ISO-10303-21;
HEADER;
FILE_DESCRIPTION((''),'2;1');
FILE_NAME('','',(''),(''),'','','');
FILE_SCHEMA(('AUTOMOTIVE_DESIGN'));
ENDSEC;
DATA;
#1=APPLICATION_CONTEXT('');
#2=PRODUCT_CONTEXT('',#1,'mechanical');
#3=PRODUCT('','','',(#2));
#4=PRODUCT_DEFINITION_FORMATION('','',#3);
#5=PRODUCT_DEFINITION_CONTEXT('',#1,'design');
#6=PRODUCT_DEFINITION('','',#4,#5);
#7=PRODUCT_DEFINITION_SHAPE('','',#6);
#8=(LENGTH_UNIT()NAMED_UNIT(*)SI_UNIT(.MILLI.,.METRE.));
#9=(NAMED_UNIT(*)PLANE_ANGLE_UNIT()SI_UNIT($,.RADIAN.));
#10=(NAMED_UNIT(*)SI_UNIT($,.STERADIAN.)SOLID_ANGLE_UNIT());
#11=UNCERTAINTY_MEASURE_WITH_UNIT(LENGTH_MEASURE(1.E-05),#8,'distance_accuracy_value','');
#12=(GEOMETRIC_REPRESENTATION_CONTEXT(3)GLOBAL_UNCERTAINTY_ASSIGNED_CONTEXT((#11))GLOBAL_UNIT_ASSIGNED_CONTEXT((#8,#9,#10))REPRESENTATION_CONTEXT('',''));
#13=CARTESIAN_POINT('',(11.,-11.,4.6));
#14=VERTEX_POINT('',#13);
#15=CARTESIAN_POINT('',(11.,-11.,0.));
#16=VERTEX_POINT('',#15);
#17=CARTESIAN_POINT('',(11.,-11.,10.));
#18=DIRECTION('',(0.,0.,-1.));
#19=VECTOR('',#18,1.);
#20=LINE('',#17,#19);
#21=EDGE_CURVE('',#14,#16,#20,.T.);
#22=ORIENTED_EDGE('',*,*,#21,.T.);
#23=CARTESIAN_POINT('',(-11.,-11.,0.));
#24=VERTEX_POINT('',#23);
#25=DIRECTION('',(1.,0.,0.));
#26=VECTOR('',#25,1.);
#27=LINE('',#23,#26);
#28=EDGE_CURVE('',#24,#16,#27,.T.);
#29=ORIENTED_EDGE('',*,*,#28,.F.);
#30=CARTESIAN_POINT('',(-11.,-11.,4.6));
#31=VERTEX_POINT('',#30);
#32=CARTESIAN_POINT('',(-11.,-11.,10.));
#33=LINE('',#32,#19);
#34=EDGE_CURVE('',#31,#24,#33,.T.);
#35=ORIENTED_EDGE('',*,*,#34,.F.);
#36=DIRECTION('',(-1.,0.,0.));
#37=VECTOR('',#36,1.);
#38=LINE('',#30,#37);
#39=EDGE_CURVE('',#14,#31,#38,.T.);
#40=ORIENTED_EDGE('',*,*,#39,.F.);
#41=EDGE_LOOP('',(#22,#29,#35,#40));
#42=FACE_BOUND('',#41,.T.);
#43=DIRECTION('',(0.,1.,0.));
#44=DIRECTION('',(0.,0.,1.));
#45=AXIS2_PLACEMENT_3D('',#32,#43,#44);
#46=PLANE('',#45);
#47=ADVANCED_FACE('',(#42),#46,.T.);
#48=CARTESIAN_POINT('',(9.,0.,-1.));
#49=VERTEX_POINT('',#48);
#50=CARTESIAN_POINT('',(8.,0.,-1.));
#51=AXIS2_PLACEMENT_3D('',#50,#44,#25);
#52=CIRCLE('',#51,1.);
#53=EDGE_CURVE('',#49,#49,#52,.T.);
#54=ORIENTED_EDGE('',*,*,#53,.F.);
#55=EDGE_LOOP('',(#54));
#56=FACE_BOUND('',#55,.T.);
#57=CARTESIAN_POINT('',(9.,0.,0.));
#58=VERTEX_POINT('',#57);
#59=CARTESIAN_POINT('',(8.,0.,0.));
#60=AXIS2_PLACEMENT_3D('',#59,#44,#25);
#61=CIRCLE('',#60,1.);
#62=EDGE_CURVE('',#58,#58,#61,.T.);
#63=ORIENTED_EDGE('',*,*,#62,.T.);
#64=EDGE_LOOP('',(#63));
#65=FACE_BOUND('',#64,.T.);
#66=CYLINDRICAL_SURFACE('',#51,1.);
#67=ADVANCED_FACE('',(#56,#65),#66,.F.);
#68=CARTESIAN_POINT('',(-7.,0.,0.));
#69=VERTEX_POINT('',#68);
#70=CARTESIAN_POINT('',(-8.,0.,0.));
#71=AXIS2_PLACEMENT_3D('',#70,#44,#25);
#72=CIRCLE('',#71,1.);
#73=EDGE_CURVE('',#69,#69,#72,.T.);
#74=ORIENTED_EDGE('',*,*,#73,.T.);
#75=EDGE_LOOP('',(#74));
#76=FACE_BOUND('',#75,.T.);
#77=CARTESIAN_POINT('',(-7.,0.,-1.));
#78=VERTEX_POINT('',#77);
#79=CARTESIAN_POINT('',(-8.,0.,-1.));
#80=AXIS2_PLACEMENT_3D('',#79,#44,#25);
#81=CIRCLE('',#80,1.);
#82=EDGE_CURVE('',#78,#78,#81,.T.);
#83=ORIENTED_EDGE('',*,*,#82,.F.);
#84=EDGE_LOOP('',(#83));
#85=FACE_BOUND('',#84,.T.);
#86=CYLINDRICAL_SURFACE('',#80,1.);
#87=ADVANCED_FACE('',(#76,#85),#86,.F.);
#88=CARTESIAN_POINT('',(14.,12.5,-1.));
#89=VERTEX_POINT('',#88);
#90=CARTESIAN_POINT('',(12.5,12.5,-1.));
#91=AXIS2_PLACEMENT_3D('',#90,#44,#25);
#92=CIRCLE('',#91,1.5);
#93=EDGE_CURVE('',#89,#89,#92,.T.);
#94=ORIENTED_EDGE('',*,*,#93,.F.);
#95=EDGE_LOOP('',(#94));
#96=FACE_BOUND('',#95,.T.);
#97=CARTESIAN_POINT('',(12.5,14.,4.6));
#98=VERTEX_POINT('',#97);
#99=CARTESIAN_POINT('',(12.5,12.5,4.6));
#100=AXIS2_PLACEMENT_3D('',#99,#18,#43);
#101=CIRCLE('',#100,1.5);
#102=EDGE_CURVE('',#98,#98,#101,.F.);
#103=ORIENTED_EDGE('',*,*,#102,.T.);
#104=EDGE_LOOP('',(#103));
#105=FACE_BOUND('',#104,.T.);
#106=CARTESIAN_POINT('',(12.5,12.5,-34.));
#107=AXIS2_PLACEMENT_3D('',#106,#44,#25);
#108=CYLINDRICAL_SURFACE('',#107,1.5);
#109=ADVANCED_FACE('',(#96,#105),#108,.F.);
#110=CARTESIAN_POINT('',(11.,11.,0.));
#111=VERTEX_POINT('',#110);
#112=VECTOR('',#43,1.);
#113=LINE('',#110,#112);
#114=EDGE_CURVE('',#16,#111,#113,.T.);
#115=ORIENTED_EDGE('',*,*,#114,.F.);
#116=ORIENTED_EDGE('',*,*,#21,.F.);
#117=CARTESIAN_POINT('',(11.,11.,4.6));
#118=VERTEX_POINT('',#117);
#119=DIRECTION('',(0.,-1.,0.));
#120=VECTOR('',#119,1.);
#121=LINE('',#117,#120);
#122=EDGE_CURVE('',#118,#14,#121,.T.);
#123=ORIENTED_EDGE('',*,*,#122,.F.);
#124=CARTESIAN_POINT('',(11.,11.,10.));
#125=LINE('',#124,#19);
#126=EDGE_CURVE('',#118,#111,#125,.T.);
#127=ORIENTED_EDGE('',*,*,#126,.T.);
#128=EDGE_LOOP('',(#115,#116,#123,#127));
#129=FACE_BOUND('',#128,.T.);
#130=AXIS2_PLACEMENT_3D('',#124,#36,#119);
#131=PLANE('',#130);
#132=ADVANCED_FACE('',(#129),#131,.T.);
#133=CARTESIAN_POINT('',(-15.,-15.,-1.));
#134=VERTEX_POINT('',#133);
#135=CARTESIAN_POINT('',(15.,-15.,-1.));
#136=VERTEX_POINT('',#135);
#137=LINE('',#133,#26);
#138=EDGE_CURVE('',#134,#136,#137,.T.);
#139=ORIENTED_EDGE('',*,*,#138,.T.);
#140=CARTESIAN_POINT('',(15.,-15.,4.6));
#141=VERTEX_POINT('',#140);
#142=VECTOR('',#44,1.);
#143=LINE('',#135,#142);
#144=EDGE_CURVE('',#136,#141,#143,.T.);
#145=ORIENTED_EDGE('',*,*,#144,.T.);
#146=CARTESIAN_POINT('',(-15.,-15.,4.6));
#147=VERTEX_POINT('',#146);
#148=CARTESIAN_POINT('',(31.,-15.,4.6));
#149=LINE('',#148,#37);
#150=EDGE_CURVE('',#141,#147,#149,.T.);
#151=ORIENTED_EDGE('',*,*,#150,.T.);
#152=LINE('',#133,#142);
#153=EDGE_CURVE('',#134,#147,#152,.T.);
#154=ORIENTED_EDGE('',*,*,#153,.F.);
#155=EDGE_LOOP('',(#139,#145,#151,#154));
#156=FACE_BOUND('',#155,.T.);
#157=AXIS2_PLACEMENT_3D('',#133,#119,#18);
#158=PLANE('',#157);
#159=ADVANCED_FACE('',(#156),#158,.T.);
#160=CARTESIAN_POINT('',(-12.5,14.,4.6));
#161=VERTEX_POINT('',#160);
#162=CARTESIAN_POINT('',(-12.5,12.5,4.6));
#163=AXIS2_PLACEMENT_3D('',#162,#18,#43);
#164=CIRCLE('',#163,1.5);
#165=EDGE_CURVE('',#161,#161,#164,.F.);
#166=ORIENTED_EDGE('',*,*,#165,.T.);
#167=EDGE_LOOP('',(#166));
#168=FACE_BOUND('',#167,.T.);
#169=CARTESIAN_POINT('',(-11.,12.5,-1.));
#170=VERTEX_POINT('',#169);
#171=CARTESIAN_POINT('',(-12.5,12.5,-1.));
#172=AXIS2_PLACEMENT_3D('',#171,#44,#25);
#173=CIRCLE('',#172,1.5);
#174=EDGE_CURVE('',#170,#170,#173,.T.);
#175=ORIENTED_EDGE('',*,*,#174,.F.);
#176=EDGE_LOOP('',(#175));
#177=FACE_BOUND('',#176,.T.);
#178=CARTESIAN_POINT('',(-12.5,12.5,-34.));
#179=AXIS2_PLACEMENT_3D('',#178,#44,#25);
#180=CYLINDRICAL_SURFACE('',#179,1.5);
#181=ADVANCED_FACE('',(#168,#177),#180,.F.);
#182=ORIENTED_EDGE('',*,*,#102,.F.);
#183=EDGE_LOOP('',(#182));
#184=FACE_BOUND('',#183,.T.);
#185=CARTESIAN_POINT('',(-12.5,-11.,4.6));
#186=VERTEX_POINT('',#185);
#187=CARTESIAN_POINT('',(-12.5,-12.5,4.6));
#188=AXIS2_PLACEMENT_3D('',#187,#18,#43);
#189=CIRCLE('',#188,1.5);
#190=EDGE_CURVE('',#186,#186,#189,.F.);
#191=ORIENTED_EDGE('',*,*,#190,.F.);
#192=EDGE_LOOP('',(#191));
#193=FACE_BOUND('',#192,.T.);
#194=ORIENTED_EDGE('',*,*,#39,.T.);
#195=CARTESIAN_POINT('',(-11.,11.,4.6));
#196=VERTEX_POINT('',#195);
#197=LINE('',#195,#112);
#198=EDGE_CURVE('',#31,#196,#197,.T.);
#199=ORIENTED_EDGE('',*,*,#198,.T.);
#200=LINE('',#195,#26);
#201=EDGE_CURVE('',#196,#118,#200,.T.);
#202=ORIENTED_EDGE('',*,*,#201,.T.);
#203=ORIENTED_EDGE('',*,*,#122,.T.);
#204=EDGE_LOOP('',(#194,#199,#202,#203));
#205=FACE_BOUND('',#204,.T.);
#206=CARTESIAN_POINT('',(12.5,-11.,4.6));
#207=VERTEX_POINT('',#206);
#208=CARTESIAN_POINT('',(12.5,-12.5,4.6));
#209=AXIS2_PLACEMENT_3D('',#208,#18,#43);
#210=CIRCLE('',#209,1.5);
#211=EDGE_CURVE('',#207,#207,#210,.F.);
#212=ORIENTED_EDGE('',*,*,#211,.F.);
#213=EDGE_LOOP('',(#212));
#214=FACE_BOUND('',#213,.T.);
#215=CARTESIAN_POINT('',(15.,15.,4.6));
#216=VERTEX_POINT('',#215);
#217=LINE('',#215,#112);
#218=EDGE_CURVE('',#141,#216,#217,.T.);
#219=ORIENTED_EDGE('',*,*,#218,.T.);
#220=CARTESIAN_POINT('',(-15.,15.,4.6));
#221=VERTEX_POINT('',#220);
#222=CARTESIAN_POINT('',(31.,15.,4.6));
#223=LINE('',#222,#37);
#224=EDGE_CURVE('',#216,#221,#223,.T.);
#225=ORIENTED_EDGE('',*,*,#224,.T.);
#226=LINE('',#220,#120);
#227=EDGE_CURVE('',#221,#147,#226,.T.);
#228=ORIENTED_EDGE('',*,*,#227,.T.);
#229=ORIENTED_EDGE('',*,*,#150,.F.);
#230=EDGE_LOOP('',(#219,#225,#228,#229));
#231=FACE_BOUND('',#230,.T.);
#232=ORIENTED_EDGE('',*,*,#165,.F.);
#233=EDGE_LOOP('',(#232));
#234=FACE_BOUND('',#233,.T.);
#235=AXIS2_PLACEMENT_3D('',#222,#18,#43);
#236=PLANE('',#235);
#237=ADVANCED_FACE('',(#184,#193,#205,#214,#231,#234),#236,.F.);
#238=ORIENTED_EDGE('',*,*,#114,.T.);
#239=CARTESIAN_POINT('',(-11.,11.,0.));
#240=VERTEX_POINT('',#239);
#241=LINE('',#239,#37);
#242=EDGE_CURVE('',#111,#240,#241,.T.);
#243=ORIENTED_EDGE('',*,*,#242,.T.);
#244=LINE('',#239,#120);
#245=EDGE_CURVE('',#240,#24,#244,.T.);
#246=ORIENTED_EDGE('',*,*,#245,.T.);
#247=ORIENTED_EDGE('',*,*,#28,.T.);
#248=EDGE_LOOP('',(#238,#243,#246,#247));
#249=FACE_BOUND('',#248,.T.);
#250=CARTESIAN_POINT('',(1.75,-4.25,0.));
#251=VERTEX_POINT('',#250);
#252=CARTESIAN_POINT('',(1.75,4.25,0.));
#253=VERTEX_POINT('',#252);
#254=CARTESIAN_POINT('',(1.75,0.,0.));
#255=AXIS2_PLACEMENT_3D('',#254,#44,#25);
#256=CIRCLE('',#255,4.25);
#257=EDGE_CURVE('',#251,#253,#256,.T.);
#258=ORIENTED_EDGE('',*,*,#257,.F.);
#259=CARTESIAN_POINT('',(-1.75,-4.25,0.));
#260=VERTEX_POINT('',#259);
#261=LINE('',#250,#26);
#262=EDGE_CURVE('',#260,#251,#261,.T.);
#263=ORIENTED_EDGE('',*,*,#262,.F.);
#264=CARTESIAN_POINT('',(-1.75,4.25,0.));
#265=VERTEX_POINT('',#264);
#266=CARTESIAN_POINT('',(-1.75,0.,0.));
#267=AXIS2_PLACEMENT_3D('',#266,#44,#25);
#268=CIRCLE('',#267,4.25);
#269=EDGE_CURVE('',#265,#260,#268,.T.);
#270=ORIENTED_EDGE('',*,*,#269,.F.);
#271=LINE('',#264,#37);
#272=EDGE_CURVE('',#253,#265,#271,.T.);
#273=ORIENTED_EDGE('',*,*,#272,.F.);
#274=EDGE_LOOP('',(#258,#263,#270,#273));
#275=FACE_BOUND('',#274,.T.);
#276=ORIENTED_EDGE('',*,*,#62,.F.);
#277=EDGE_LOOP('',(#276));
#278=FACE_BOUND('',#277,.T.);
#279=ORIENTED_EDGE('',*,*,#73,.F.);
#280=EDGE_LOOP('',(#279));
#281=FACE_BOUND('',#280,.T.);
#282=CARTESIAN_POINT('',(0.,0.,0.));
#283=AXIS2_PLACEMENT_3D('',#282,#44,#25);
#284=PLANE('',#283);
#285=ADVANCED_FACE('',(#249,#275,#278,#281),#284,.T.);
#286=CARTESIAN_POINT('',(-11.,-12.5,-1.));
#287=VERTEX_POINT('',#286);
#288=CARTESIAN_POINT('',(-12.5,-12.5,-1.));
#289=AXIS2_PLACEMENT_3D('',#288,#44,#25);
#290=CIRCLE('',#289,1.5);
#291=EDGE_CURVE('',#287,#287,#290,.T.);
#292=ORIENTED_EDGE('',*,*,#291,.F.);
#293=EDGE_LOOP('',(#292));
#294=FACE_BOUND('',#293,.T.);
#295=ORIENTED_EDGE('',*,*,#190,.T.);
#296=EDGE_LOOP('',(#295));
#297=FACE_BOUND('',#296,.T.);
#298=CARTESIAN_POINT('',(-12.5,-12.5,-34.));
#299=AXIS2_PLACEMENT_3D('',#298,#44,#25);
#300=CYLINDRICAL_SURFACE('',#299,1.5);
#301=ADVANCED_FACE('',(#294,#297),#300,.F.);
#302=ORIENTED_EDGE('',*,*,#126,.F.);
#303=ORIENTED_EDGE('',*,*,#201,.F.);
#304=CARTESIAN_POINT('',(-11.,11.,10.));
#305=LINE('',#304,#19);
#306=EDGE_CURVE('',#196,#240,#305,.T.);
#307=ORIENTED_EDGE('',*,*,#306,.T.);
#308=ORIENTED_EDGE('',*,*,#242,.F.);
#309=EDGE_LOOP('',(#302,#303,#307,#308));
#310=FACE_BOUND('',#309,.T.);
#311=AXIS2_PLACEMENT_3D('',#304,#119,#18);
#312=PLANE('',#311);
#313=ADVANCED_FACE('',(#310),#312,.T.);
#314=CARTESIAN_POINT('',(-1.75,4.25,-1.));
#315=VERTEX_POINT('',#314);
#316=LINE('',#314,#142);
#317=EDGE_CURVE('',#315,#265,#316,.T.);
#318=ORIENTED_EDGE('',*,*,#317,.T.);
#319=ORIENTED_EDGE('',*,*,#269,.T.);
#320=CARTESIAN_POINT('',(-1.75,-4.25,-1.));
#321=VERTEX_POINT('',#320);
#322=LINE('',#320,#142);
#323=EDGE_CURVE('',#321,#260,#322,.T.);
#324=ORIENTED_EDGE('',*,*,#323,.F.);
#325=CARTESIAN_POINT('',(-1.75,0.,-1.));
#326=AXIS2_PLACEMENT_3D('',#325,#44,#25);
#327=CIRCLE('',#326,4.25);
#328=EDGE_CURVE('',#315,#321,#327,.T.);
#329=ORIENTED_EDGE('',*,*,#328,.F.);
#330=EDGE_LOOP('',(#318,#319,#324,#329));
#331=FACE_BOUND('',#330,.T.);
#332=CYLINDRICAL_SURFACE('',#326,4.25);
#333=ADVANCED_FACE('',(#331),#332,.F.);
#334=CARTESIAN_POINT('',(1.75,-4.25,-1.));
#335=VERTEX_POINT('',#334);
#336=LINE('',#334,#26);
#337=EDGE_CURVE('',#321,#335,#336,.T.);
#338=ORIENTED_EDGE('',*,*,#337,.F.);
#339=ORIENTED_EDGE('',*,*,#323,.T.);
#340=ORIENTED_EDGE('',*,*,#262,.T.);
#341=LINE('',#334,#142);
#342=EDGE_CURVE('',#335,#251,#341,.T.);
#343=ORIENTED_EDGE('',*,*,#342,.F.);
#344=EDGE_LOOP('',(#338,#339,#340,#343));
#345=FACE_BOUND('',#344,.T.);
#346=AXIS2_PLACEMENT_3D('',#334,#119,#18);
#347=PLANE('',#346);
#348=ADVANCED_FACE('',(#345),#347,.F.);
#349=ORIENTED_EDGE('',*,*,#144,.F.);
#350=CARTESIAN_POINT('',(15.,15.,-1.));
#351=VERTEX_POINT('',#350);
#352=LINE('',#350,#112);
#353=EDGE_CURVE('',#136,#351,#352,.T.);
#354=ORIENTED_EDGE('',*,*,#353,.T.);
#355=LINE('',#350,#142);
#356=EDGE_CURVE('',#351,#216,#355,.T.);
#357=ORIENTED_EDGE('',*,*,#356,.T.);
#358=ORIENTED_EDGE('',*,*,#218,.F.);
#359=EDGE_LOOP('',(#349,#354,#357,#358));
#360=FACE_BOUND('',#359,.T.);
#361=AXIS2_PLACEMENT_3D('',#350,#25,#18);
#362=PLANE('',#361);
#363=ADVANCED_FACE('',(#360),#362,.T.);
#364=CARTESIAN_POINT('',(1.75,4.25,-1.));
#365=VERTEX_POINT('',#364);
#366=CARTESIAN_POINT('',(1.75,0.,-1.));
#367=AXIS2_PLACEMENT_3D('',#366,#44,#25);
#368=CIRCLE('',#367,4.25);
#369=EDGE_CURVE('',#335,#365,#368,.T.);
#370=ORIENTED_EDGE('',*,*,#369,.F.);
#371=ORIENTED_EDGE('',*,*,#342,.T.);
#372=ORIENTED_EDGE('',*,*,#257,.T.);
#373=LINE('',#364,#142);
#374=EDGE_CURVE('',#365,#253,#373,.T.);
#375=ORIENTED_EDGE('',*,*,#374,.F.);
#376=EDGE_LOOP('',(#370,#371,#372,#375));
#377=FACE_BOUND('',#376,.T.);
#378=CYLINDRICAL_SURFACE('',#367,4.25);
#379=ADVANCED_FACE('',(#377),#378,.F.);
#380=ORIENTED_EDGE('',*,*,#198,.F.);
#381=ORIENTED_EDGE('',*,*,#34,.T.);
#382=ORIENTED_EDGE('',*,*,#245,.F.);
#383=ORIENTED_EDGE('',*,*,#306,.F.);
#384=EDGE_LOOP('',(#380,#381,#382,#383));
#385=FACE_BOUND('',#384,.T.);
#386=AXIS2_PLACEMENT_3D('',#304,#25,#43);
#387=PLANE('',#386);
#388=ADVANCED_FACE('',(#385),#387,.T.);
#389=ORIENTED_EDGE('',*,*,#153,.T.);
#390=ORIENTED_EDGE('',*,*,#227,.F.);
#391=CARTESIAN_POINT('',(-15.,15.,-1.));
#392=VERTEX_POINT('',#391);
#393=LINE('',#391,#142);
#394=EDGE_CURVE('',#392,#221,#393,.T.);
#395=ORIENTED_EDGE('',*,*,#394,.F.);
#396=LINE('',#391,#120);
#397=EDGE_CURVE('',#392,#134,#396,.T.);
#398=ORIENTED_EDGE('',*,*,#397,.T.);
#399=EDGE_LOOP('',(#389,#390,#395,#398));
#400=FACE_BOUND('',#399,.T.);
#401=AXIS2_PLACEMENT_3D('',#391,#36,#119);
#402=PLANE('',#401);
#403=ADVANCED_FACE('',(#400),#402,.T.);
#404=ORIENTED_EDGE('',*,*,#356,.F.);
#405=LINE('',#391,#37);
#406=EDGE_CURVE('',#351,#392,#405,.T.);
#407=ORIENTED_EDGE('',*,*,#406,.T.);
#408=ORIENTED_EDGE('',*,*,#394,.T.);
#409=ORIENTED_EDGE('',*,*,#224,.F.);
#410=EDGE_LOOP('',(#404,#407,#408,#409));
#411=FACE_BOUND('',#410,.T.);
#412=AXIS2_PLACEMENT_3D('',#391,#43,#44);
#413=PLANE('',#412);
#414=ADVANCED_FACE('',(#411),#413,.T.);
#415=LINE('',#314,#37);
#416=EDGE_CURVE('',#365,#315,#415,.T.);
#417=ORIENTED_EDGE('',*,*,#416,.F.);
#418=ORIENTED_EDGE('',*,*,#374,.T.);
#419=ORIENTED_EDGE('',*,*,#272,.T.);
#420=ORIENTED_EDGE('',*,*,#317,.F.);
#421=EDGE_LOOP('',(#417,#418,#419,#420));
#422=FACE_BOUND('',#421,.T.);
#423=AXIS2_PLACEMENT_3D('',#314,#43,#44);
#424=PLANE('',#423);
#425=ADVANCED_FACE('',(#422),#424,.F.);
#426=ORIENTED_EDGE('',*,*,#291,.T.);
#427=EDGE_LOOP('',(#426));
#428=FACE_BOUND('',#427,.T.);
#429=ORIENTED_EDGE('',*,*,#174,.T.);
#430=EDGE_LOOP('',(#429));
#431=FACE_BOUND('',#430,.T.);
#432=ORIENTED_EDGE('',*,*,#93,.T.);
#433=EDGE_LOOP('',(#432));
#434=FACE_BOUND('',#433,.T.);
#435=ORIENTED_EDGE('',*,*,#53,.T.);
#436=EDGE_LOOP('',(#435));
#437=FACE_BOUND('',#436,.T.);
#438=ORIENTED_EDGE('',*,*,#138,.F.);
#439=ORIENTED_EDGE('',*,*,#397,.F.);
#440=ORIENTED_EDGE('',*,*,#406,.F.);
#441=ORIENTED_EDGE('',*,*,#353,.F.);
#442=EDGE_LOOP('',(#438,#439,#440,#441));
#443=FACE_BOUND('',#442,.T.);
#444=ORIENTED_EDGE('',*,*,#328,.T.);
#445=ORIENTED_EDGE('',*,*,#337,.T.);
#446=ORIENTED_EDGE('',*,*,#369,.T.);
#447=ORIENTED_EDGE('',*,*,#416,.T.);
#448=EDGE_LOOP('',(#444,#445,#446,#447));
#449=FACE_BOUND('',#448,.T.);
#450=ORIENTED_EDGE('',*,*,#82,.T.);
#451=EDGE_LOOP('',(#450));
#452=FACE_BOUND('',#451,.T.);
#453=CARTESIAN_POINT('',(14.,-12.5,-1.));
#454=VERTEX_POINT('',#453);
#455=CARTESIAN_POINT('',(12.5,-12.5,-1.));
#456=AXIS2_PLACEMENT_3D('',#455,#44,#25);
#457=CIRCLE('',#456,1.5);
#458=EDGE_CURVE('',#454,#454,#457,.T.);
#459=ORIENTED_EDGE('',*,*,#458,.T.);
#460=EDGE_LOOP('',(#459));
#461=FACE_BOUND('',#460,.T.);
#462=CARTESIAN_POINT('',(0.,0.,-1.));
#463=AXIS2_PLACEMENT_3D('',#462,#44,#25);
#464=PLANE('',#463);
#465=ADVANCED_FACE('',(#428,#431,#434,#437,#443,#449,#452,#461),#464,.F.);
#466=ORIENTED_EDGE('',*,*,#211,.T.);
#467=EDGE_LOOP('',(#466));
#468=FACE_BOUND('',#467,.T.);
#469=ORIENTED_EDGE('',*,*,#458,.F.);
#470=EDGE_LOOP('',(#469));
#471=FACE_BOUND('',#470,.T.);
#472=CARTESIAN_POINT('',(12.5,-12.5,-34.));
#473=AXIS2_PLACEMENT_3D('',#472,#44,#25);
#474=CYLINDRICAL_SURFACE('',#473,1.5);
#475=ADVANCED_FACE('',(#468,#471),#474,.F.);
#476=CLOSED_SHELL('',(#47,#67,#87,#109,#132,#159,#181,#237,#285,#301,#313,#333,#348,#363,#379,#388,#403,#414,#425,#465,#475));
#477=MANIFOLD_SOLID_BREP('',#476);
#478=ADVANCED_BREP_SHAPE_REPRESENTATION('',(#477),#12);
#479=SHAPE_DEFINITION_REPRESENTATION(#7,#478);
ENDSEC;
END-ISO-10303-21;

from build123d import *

# Parameters (mm, degrees)
CROQUIS1_W              = 30
CROQUIS1_H              = 30
CROQUIS1_R              = 1
SALIENTE_EXTRUIR2_DEPTH = 1
CROQUIS2_W              = 30
CROQUIS2_H              = 30
CROQUIS2_W_2            = 22
CROQUIS2_H_2            = 22
SALIENTE_EXTRUIR3_DEPTH = 10
CROQUIS4_R              = 1.5
CORTAR_EXTRUIR2_DEPTH   = 44
CROQUIS5_W              = 5.4
CROQUIS5_H              = 30
CORTAR_EXTRUIR3_DEPTH   = 46


with BuildPart() as part:
    # Croquis1 → Saliente-Extruir2 (new body)
    with BuildSketch(Plane.XY):
        Rectangle(CROQUIS1_W, CROQUIS1_H)
        with Locations((-8, 0)):
            Circle(CROQUIS1_R, mode=Mode.SUBTRACT)
        with Locations((8, 0)):
            Circle(CROQUIS1_R, mode=Mode.SUBTRACT)
        with BuildLine():
            Line((-1.75, 4.25), (1.75, 4.25))
            ThreePointArc((1.75, 4.25), (6, 0), (1.75, -4.25))
            Line((1.75, -4.25), (-1.75, -4.25))
            ThreePointArc((-1.75, -4.25), (-6, 0), (-1.75, 4.25))
        make_face(mode=Mode.SUBTRACT)
    extrude(amount=-SALIENTE_EXTRUIR2_DEPTH)

    # Croquis2 → Saliente-Extruir3 (add)
    with BuildSketch(Plane.XY):
        Rectangle(CROQUIS2_W, CROQUIS2_H)
        Rectangle(CROQUIS2_W_2, CROQUIS2_H_2, mode=Mode.SUBTRACT)
    extrude(amount=SALIENTE_EXTRUIR3_DEPTH)

    # Croquis4 → Cortar-Extruir2 (cut)
    with BuildSketch(Plane.XY.offset(10)):
        with Locations((-12.5, 12.5)):
            Circle(CROQUIS4_R)
        with Locations((12.5, 12.5)):
            Circle(CROQUIS4_R)
        with Locations((12.5, -12.5)):
            Circle(CROQUIS4_R)
        with Locations((-12.5, -12.5)):
            Circle(CROQUIS4_R)
    extrude(amount=-CORTAR_EXTRUIR2_DEPTH, mode=Mode.SUBTRACT)

    # Croquis5 → Cortar-Extruir3 (cut)
    with BuildSketch(Plane.ZY.offset(15)):
        with Locations((7.3, 0)):
            Rectangle(CROQUIS5_W, CROQUIS5_H)
    extrude(amount=-CORTAR_EXTRUIR3_DEPTH, mode=Mode.SUBTRACT)


solid = part.part
